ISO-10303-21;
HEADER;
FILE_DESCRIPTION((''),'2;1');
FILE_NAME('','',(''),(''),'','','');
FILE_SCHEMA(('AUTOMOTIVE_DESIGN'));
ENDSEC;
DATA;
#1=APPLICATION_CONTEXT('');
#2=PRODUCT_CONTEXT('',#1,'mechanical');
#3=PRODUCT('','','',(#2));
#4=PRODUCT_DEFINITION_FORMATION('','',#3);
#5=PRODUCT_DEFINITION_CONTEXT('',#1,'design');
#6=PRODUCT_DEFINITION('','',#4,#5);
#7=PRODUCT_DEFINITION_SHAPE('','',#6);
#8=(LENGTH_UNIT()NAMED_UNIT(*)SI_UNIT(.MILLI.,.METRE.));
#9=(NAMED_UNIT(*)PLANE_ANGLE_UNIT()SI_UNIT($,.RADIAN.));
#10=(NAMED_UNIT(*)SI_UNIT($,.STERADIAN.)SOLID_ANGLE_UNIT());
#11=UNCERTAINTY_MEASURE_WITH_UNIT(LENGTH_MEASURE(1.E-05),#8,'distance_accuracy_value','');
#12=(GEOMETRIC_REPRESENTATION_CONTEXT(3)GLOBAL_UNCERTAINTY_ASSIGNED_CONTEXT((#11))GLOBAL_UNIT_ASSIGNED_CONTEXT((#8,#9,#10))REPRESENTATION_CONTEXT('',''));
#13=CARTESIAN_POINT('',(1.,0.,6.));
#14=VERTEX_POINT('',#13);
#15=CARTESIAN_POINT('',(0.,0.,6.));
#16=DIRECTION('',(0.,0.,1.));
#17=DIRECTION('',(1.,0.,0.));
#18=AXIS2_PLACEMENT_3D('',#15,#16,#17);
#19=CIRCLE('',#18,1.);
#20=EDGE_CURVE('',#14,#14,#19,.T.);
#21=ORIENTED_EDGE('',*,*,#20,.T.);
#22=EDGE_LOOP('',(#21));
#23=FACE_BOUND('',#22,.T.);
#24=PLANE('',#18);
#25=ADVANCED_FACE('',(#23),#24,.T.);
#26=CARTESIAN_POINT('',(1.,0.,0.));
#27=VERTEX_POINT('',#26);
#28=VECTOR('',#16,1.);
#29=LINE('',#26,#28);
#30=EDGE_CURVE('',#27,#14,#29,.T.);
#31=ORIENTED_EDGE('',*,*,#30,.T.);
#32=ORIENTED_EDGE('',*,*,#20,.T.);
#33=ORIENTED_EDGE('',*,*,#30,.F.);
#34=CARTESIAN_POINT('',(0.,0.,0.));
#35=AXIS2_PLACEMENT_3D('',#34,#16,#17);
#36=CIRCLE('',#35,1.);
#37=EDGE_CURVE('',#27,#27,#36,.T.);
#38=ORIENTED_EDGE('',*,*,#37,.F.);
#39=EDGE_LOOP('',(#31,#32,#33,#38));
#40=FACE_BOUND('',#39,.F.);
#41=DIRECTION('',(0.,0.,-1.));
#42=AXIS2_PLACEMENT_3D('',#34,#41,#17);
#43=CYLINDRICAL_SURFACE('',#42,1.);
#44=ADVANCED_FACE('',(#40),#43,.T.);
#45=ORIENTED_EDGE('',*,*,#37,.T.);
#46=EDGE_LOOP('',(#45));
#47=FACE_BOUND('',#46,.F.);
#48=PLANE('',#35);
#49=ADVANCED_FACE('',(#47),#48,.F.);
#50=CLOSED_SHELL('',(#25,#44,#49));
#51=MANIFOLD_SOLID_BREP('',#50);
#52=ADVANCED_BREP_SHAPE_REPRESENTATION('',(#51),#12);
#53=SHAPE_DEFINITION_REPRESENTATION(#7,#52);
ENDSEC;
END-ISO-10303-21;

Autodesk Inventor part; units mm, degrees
ref_plane "YZ Plane" through (0, 0, 0) normal (1, 0, 0) x (0, 1, 0)
ref_plane "XZ Plane" through (0, 0, 0) normal (0, 1, 0) x (-1, 0, 0)
ref_plane "XY Plane" through (0, 0, 0) normal (0, 0, 1) x (1, 0, 0)
sketch "スケッチ1" plane through (0, 0, 0) normal (0, 0, 1) x (1, 0, 0)
  circle A0 centre (0, 0) radius 1
  dimension "d0" = 2
extrude "押し出し1" add sketch "スケッチ1" along normal blind 6
properties part number "tinysmallshaft"
